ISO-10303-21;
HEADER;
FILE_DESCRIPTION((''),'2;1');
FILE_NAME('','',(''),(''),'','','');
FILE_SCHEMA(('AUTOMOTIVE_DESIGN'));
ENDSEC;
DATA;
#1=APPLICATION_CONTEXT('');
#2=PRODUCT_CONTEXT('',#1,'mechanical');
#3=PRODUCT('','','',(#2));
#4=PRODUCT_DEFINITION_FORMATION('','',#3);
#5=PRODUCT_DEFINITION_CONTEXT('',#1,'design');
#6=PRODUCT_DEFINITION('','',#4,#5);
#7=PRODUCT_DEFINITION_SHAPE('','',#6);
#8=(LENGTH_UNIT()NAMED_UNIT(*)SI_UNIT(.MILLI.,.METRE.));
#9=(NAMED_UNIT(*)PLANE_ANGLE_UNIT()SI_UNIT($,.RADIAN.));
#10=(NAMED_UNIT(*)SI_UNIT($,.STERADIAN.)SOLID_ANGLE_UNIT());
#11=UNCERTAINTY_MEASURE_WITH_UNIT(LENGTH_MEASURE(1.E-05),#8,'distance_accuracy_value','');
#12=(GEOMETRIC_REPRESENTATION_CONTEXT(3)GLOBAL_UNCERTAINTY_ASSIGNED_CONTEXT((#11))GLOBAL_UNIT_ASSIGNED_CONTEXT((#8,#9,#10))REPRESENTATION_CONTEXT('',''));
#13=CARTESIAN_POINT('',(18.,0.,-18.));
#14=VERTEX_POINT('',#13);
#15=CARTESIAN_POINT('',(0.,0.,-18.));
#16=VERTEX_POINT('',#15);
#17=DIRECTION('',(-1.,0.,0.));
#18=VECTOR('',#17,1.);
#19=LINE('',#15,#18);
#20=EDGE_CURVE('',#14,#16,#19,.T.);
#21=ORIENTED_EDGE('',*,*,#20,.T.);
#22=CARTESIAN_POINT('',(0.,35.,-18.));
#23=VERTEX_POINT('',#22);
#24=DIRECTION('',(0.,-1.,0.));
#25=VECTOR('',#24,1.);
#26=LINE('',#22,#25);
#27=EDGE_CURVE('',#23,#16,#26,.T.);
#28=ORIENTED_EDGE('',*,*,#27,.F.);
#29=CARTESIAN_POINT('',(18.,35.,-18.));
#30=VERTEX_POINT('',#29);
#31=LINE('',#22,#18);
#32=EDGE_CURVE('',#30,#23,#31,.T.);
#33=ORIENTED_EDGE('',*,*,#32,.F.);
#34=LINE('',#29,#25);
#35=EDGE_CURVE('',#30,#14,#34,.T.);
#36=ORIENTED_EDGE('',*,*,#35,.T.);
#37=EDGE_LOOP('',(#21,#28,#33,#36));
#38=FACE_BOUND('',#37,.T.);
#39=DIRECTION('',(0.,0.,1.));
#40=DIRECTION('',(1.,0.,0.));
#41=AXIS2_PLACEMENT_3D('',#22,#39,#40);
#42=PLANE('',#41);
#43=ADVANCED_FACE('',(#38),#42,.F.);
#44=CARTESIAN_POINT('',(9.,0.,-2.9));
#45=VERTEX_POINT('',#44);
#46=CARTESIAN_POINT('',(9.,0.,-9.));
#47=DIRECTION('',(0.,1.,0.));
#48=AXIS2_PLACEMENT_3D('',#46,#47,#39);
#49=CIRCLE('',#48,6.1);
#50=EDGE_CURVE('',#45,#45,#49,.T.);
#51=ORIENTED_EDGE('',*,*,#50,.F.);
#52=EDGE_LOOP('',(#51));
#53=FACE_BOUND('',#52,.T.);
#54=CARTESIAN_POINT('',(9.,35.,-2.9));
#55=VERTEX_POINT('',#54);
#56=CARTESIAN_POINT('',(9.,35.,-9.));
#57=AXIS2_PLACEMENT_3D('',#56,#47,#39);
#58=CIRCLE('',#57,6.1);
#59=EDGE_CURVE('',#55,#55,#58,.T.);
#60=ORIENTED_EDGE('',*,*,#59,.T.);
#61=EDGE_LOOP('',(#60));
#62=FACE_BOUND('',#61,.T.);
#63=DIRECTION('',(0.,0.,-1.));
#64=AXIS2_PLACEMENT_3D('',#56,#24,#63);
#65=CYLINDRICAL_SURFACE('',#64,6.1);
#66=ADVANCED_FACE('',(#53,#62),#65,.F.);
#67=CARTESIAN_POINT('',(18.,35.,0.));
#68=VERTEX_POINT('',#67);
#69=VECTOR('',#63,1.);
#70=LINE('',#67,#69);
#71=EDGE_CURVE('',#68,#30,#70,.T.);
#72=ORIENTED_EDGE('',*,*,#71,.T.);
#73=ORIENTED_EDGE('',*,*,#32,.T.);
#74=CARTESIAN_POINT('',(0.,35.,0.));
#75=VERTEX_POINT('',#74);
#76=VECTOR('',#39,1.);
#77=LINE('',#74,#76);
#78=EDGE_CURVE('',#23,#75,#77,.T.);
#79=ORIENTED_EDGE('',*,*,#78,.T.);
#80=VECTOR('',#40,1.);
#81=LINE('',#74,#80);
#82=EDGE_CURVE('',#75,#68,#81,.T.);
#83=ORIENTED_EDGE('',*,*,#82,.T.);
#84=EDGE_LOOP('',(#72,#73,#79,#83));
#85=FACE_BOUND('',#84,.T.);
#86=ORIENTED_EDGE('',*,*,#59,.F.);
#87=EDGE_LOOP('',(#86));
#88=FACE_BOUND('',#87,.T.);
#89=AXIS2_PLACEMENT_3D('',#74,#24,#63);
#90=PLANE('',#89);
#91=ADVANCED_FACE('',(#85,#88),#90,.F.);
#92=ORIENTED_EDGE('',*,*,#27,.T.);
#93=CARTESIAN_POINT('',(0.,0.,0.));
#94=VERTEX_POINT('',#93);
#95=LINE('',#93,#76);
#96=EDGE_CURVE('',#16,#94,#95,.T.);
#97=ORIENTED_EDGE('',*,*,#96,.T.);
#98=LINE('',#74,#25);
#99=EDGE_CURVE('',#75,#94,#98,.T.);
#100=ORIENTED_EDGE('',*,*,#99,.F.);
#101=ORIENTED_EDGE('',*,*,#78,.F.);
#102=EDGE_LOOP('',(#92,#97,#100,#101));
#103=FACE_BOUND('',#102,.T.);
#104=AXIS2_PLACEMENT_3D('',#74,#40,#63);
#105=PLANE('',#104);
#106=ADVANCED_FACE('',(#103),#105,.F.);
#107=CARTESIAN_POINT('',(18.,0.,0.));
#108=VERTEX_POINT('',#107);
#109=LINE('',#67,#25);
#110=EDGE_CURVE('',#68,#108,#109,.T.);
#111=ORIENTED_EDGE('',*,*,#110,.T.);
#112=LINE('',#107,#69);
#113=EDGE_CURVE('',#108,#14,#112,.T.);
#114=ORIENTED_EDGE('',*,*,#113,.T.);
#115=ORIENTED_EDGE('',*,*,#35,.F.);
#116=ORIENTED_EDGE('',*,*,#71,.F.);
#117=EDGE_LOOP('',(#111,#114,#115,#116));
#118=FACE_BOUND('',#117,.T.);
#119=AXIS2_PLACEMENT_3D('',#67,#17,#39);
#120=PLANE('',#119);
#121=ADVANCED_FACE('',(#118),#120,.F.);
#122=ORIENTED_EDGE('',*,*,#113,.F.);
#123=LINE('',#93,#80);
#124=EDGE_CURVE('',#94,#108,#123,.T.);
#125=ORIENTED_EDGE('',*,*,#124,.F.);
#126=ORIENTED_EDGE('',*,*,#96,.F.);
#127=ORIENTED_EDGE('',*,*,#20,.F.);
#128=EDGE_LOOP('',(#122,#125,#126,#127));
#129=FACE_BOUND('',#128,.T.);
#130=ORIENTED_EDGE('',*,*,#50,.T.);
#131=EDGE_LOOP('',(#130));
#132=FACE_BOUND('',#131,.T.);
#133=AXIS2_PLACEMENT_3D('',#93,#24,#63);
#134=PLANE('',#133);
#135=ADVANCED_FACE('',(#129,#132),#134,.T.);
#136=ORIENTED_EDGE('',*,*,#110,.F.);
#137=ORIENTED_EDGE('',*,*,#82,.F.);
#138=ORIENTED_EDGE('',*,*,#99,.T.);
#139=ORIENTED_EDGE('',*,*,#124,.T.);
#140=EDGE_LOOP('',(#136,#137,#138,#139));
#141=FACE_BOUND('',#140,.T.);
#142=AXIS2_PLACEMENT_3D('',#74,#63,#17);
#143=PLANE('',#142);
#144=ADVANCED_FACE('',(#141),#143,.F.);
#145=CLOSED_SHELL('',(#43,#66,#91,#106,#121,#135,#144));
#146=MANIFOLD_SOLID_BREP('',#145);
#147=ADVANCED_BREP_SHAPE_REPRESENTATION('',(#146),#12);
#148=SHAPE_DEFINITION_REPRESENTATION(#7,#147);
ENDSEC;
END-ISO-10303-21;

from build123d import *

# Parameters (mm, degrees)
SKETCH1_W           = 18
SKETCH1_H           = 18
SKETCH1_R           = 6.1
BOSS_EXTRUDE1_DEPTH = 35


with BuildPart() as part:
    # Sketch1 → Boss-Extrude1 (new body)
    with BuildSketch(Plane(origin=(0, 0, 0), x_dir=(1, 0, 0), z_dir=(0, 1, 0))):
        with Locations((9, 9)):
            Rectangle(SKETCH1_W, SKETCH1_H)
        with Locations(Location((9, 9, 0), (0, 0, 270))):
            Circle(SKETCH1_R, mode=Mode.SUBTRACT)
    extrude(amount=BOSS_EXTRUDE1_DEPTH)


solid = part.part
